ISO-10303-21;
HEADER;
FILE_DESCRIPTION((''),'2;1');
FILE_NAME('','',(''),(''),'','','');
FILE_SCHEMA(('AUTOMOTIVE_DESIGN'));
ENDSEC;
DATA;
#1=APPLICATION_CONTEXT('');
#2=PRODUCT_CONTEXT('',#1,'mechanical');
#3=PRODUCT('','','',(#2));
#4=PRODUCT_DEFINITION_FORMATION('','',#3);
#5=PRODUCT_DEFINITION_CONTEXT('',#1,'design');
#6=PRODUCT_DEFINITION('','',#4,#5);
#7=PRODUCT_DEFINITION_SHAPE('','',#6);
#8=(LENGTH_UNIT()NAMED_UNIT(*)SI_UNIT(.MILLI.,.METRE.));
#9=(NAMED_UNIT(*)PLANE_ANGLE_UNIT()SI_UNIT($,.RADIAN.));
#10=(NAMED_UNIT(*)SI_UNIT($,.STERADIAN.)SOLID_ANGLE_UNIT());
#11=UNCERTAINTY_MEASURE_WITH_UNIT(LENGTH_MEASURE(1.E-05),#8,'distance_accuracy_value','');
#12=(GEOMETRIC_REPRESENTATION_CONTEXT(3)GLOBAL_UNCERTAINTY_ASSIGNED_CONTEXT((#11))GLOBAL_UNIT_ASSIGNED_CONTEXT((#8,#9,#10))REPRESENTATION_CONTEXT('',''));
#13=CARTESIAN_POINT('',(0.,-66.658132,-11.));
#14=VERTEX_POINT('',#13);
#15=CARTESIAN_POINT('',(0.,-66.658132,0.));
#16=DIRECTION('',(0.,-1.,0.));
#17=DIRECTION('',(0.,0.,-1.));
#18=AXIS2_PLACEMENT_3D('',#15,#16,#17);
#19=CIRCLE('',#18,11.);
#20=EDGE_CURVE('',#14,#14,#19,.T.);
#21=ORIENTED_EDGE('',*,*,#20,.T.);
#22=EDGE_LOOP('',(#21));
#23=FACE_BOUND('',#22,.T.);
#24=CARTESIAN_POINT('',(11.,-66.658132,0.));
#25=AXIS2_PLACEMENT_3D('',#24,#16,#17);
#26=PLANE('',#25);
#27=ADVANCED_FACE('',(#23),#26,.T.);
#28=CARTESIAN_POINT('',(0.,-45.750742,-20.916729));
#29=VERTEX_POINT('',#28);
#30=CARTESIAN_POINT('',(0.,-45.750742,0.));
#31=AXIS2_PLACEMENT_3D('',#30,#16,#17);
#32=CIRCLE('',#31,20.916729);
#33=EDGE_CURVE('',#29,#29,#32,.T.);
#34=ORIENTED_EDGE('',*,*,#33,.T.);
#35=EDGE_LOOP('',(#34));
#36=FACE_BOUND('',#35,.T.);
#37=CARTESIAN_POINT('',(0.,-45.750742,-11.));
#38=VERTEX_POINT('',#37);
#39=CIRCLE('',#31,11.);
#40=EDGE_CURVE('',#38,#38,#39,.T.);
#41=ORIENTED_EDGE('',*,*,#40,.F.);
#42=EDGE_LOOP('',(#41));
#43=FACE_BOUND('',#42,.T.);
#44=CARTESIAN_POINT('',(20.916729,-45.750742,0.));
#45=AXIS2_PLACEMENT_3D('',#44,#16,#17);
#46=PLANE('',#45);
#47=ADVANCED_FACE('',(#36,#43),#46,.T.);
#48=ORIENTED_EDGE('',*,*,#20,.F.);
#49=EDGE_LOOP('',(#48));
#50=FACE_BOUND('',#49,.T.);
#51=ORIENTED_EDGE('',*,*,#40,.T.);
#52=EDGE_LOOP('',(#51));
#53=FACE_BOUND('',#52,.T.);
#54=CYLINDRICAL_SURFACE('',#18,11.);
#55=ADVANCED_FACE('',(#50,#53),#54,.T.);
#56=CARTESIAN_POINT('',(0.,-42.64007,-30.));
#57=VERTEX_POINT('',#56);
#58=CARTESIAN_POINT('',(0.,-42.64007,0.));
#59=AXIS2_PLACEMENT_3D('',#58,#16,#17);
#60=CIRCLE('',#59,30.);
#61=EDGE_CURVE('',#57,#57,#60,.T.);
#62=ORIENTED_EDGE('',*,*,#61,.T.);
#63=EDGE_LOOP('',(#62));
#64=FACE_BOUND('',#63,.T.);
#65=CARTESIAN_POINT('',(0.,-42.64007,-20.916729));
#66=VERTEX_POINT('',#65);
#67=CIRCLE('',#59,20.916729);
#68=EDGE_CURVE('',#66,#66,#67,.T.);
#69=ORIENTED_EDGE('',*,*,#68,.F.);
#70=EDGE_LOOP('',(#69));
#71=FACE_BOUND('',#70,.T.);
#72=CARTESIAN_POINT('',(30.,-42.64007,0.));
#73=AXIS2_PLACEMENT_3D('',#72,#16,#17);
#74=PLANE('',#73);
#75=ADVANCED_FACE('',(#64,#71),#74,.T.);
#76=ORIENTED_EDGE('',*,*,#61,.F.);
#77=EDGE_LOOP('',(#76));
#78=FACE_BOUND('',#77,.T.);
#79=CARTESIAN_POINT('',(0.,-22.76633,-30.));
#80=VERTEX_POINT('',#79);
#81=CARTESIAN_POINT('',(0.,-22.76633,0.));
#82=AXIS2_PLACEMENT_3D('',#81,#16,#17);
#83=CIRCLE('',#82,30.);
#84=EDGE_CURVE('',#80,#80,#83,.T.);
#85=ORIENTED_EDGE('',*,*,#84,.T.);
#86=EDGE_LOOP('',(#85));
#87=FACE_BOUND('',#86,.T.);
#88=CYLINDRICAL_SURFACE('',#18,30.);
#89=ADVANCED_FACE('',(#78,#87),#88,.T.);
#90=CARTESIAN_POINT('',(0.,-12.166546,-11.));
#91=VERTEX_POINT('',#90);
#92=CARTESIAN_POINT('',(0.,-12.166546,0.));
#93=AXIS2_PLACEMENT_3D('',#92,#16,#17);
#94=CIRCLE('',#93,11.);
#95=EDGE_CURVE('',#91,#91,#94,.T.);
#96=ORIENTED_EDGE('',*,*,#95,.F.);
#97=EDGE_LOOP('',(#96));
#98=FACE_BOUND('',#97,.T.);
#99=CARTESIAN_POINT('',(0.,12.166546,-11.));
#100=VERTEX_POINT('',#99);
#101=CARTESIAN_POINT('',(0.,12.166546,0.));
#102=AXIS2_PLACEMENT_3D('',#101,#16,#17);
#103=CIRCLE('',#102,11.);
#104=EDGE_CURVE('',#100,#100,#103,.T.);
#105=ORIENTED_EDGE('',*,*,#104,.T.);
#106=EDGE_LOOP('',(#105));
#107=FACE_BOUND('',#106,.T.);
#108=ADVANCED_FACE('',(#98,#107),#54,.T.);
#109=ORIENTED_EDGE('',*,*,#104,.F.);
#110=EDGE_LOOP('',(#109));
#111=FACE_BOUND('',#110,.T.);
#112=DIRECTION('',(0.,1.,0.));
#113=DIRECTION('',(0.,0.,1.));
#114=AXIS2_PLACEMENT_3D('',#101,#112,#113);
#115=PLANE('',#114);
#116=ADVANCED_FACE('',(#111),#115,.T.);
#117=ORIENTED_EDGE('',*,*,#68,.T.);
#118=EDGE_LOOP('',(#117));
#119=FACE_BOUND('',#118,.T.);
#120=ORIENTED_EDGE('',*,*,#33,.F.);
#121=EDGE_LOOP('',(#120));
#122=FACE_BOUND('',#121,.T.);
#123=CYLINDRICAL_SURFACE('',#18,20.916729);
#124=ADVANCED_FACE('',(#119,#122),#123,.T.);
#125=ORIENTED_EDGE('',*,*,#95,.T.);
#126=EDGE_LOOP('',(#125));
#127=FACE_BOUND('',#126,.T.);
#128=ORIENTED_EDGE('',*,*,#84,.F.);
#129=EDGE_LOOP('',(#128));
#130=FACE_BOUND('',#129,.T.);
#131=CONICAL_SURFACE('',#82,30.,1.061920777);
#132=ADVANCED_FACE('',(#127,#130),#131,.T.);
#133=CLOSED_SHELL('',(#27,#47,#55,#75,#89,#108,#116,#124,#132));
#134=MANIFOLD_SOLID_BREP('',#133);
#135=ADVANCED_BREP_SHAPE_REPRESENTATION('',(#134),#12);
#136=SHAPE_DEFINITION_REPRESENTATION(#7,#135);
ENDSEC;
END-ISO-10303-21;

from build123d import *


with BuildPart() as part:
    # Croquis1 → Revolución1 (revolve)
    with BuildSketch(Plane.XY, mode=Mode.PRIVATE) as revoluci_n1_sk:
        Polygon((0, 12.166546105), (11, 12.166546105), (11, -12.166546105), (30, -22.766330184), (30, -42.640069676), (20.916728677, -42.640069676), (20.916728677, -45.750741945), (11, -45.750741945), (11, -66.658131909), (0, -66.658131909), align=None)
    revolve(revoluci_n1_sk.sketch.rotate(Axis((0, -66.658131909, 0), (0, 1, 0)), 90), axis=Axis((0, -66.658131909, 0), (0, 1, 0)))


solid = part.part
